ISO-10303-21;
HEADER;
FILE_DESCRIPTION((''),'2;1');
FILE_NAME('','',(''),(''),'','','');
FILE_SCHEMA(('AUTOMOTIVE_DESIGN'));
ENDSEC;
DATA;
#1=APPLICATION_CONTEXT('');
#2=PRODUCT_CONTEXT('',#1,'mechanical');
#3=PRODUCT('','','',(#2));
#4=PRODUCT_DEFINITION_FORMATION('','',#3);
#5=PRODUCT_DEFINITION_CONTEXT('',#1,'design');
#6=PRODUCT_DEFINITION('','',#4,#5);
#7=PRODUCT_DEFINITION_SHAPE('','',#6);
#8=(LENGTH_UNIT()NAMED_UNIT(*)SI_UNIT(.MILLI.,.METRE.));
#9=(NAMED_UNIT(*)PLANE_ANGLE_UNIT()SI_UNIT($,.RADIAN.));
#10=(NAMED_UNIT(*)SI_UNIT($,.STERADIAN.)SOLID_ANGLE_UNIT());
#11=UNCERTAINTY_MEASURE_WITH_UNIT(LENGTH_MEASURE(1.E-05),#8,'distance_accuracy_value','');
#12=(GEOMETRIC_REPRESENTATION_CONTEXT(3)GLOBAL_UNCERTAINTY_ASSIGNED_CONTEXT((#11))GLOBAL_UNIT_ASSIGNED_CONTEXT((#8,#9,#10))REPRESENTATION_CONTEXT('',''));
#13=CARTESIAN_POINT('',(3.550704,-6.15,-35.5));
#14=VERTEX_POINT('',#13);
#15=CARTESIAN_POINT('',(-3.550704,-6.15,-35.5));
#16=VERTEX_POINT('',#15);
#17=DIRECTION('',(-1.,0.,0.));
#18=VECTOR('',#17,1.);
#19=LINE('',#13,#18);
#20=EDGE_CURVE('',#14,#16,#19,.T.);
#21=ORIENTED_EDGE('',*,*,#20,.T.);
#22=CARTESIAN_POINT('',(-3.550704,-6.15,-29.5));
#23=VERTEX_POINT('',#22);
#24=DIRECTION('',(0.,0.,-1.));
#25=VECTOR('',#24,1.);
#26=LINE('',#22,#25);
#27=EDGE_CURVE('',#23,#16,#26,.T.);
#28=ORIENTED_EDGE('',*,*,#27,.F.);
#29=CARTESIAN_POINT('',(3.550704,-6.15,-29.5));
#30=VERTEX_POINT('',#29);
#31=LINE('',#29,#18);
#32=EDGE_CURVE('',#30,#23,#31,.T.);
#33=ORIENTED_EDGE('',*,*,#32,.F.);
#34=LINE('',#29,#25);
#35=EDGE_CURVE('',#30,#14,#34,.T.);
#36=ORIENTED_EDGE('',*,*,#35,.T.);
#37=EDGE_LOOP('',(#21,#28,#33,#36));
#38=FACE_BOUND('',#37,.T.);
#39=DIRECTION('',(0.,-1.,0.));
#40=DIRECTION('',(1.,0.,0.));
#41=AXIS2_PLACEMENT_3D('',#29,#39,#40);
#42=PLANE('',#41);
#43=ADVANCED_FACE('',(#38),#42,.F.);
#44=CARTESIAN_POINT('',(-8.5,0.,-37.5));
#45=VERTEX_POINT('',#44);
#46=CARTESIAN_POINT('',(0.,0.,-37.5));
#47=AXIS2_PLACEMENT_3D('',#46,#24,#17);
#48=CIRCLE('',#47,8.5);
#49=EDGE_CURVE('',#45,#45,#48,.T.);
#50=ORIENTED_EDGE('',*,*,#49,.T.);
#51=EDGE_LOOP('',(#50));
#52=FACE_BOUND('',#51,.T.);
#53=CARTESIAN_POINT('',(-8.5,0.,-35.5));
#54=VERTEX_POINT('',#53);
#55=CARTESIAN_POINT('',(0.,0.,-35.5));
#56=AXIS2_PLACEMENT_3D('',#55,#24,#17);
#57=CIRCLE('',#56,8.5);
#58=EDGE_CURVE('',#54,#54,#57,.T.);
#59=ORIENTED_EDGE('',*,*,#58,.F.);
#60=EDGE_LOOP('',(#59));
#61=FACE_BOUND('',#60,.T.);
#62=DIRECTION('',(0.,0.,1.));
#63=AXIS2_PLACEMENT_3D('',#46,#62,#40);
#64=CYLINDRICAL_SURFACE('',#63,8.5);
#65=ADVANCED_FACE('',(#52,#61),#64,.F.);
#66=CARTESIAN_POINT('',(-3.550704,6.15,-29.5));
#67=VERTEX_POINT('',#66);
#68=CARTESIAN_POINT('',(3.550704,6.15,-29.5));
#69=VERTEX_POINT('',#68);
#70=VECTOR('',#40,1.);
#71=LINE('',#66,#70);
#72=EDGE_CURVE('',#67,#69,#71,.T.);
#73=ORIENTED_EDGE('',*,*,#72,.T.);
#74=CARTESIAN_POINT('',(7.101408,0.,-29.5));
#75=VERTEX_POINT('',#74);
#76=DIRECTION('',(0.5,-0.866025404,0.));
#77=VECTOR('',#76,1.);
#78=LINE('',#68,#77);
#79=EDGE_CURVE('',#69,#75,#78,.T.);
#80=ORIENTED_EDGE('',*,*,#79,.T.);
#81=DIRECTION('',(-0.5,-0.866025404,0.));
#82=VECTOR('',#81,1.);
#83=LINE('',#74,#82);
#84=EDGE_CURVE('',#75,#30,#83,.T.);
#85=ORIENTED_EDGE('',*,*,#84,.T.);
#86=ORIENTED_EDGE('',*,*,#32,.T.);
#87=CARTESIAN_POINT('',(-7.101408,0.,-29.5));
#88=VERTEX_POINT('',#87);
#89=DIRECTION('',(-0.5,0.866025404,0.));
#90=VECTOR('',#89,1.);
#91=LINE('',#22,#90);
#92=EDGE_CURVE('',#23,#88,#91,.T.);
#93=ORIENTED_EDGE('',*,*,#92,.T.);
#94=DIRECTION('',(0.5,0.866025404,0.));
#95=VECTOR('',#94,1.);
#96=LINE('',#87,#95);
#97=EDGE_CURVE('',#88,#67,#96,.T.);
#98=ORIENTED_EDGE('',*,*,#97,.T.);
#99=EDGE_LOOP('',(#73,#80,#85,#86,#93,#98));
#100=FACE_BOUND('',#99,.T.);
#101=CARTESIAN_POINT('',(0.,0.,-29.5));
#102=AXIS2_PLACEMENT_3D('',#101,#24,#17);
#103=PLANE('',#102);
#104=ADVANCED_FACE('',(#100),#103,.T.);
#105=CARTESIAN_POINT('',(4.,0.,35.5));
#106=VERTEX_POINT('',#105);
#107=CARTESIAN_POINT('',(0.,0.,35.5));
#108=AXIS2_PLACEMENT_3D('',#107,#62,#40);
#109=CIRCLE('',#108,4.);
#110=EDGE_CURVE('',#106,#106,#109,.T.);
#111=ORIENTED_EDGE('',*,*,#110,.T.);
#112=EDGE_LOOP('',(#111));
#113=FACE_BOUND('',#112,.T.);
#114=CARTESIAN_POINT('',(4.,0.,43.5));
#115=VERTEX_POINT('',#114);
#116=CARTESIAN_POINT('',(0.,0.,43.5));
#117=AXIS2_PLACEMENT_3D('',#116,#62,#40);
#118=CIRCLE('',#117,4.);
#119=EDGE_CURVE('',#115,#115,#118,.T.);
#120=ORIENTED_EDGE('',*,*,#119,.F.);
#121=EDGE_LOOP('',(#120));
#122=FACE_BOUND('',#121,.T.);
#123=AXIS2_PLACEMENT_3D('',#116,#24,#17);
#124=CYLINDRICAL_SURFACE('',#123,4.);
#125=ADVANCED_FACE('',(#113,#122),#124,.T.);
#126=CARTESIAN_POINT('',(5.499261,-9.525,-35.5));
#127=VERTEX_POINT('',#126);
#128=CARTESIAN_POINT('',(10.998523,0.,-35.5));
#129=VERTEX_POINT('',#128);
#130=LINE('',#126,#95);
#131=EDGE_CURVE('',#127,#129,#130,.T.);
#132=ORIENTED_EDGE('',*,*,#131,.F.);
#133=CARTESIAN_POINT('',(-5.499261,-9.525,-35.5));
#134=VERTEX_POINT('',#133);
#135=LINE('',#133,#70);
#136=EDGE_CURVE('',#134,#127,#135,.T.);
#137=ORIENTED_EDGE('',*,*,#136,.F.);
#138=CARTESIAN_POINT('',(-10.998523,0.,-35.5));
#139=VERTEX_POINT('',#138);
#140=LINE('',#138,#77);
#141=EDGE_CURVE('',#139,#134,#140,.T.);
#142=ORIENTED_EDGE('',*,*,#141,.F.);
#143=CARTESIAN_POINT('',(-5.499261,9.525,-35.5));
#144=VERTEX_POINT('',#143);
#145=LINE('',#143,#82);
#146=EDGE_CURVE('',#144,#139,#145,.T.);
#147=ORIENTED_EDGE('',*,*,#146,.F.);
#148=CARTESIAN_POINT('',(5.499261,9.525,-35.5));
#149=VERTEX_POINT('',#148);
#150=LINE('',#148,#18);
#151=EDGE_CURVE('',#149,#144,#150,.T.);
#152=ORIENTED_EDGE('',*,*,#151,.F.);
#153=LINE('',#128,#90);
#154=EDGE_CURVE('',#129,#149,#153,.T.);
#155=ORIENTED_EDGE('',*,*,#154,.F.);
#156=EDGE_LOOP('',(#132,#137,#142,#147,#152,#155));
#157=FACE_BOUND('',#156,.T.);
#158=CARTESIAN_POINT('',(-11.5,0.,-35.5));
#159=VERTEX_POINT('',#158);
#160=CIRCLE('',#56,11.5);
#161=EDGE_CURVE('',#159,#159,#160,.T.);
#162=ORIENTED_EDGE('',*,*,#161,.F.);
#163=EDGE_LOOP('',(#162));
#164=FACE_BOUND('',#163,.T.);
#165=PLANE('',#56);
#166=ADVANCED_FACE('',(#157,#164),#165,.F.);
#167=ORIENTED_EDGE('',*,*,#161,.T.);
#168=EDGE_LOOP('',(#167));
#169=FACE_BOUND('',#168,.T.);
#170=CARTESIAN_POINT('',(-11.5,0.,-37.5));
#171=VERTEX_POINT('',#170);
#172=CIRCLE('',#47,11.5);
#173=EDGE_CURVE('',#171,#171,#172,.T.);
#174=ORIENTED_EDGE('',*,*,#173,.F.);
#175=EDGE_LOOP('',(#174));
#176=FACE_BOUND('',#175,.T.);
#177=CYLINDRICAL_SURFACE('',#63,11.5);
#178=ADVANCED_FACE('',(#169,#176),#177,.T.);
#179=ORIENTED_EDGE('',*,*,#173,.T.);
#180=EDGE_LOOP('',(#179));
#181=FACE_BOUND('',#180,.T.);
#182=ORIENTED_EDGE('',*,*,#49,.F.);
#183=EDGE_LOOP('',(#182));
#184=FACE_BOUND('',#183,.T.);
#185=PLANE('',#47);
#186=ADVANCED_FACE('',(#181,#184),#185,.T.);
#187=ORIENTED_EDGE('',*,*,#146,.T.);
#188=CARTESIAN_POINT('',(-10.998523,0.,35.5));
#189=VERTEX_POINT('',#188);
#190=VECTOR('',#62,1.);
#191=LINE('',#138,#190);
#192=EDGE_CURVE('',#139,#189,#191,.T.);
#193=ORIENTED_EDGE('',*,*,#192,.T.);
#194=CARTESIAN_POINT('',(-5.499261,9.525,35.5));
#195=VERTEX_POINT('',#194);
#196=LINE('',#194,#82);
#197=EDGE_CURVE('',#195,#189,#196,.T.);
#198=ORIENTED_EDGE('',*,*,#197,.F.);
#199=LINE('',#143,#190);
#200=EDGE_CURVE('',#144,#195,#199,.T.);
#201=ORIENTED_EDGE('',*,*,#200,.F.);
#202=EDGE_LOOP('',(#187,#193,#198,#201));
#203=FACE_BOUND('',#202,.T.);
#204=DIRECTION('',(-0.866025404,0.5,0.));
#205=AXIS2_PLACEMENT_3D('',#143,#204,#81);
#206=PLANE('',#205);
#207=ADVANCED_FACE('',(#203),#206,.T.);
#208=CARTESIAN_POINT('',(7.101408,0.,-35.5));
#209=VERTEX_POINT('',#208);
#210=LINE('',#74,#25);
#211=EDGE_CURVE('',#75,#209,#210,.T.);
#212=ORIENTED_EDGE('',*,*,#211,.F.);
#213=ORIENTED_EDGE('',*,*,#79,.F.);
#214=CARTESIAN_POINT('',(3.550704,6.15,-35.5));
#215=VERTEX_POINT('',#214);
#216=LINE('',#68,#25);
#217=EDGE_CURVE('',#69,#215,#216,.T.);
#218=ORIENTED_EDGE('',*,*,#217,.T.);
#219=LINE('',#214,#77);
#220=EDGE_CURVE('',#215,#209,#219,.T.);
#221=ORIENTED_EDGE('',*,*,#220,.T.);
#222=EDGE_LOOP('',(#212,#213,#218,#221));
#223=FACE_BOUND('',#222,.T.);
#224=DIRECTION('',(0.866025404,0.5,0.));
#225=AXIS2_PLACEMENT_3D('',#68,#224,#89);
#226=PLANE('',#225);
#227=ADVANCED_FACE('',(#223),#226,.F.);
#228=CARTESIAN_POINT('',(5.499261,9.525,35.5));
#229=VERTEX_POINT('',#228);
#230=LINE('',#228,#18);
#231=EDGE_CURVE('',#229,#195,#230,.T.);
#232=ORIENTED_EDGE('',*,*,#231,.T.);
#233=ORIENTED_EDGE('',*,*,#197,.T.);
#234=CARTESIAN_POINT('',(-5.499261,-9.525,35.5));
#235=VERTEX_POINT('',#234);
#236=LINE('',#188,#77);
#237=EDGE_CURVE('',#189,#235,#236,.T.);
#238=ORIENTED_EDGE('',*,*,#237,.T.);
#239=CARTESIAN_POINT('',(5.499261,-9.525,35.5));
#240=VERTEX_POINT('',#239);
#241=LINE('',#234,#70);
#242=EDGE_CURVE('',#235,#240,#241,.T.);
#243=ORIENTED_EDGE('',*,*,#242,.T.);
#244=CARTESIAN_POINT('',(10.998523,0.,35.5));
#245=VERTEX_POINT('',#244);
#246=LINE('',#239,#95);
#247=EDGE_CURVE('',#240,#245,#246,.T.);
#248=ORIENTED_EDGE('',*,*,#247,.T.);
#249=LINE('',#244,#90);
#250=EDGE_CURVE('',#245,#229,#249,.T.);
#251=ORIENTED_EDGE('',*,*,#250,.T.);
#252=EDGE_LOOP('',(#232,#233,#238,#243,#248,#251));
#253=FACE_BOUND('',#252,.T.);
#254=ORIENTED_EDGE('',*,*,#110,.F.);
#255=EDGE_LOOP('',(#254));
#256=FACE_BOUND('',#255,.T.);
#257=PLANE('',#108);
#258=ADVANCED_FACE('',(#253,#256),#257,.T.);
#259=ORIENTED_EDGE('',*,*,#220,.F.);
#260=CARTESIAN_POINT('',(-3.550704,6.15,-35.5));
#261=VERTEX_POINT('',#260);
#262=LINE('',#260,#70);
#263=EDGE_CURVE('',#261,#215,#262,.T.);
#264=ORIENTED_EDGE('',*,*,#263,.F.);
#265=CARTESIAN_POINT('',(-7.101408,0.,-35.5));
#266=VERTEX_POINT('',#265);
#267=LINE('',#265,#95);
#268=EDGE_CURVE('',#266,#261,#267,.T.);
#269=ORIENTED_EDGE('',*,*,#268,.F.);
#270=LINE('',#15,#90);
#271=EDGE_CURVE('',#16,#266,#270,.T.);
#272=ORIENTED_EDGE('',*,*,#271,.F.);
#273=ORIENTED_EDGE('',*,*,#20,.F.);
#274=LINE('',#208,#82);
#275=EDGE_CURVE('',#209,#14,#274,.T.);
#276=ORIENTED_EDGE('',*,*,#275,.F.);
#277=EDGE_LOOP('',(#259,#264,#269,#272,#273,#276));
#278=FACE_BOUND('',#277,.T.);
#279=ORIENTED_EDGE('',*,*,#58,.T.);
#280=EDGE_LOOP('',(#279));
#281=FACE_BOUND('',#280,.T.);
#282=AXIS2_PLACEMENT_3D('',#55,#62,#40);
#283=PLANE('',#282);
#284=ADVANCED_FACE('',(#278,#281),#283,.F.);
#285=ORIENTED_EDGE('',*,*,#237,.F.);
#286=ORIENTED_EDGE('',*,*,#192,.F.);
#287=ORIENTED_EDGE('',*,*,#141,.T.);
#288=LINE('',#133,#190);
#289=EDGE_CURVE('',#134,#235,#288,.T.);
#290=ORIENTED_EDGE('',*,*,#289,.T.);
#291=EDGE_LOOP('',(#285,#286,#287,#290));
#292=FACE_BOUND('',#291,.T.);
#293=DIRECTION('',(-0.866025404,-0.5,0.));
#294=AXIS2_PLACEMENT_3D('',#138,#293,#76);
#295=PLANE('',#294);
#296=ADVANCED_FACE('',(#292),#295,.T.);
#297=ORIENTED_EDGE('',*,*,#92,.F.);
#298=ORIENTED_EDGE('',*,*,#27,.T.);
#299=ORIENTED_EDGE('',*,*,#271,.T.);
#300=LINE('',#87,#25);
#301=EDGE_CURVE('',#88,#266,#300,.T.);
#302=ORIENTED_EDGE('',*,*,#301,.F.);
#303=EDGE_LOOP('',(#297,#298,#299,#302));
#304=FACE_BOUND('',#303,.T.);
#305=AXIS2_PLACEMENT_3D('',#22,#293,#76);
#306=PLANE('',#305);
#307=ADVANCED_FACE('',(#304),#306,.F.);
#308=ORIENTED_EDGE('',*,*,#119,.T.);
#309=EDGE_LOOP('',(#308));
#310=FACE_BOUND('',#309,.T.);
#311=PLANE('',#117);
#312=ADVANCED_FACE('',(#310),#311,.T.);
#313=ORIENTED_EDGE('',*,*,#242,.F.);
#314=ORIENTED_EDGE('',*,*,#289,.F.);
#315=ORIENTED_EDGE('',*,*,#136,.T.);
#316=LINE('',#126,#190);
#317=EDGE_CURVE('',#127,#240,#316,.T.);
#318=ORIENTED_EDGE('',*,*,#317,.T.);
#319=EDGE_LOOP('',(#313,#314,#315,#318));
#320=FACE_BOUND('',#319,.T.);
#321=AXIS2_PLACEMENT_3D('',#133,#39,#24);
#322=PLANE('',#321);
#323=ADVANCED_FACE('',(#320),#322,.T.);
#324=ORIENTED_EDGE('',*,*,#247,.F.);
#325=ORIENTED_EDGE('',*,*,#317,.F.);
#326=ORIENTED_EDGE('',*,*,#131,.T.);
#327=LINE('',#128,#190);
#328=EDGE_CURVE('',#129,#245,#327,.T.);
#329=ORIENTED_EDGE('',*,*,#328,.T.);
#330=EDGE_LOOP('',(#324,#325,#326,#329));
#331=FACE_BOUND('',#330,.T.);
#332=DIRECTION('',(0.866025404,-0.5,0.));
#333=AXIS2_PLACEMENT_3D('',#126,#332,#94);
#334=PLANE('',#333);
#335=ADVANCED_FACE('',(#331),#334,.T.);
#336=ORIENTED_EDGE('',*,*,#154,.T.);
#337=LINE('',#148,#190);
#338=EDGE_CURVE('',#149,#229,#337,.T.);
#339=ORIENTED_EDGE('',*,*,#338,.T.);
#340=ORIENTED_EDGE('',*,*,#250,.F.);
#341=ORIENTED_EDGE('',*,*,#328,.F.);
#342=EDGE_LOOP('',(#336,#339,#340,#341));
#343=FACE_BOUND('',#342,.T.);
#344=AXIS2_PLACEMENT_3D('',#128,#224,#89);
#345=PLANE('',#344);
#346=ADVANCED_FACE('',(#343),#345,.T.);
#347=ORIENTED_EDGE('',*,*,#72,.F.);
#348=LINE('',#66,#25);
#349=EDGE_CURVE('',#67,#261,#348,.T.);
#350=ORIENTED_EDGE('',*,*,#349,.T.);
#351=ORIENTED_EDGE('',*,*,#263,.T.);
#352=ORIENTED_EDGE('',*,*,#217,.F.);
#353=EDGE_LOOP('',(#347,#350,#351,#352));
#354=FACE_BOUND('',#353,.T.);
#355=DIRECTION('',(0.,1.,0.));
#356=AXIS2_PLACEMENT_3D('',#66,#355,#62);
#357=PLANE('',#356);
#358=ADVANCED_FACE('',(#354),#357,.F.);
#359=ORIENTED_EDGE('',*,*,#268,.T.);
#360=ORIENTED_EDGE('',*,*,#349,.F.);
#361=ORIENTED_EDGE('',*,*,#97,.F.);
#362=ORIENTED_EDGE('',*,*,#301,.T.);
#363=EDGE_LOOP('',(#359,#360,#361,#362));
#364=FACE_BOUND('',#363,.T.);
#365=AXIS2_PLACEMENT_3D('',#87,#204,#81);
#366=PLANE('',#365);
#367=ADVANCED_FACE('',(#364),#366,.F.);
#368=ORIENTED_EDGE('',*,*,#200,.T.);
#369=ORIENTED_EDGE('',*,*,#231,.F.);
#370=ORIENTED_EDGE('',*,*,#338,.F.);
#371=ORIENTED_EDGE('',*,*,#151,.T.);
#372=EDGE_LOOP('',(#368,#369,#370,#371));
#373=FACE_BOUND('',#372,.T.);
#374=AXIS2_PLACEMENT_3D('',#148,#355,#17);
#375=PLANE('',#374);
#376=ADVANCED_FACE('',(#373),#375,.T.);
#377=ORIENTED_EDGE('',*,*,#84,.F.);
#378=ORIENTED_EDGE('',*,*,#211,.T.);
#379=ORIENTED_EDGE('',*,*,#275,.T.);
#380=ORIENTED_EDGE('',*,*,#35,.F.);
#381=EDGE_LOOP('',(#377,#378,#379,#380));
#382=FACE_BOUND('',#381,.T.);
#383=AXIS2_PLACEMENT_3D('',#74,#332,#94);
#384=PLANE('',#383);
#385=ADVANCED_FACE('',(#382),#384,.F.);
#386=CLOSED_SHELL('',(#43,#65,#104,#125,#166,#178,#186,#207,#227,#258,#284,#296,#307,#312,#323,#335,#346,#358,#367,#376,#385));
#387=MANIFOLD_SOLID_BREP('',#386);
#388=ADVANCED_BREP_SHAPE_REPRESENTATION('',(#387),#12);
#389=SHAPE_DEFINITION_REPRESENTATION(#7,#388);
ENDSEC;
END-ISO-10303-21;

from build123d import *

# Parameters (mm, degrees)
BOSS_EXTRUDE1_DEPTH      = 35.5
BOSS_EXTRUDE1_DEPTH_BACK = 35.5
CUT_EXTRUDE1_DEPTH       = 6
SKETCH4_R                = 11.5
SKETCH4_R_2              = 8.5
BOSS_EXTRUDE3_DEPTH      = 2
SKETCH5_R                = 4
BOSS_EXTRUDE4_DEPTH      = 8


with BuildPart() as part:
    # Sketch1 → Boss-Extrude1 (new, two sides: drawn at the far end of the back side and taken through both)
    with BuildSketch(Plane.XY.offset(-BOSS_EXTRUDE1_DEPTH_BACK)):
        Polygon((10.998522628, 0), (5.499261314, 9.525), (-5.499261314, 9.525), (-10.998522628, 0), (-5.499261314, -9.525), (5.499261314, -9.525), align=None)
    extrude(amount=BOSS_EXTRUDE1_DEPTH + BOSS_EXTRUDE1_DEPTH_BACK)

    # Sketch2 → Cut-Extrude1 (cut)
    with BuildSketch(Plane(origin=(0, 0, -35.5), x_dir=(-1, 0, 0), z_dir=(0, 0, -1))):
        Polygon((7.101408311, 0), (3.550704156, 6.15), (-3.550704156, 6.15), (-7.101408311, 0), (-3.550704156, -6.15), (3.550704156, -6.15), align=None)
    extrude(amount=-CUT_EXTRUDE1_DEPTH, mode=Mode.SUBTRACT)

    # Sketch4 → Boss-Extrude3 (add)
    with BuildSketch(Plane(origin=(0, 0, -35.5), x_dir=(-1, 0, 0), z_dir=(0, 0, -1))):
        Circle(SKETCH4_R)
        Circle(SKETCH4_R_2, mode=Mode.SUBTRACT)
    extrude(amount=BOSS_EXTRUDE3_DEPTH)

    # Sketch5 → Boss-Extrude4 (add)
    with BuildSketch(Plane.XY.offset(35.5)):
        Circle(SKETCH5_R)
    extrude(amount=BOSS_EXTRUDE4_DEPTH)


solid = part.part
